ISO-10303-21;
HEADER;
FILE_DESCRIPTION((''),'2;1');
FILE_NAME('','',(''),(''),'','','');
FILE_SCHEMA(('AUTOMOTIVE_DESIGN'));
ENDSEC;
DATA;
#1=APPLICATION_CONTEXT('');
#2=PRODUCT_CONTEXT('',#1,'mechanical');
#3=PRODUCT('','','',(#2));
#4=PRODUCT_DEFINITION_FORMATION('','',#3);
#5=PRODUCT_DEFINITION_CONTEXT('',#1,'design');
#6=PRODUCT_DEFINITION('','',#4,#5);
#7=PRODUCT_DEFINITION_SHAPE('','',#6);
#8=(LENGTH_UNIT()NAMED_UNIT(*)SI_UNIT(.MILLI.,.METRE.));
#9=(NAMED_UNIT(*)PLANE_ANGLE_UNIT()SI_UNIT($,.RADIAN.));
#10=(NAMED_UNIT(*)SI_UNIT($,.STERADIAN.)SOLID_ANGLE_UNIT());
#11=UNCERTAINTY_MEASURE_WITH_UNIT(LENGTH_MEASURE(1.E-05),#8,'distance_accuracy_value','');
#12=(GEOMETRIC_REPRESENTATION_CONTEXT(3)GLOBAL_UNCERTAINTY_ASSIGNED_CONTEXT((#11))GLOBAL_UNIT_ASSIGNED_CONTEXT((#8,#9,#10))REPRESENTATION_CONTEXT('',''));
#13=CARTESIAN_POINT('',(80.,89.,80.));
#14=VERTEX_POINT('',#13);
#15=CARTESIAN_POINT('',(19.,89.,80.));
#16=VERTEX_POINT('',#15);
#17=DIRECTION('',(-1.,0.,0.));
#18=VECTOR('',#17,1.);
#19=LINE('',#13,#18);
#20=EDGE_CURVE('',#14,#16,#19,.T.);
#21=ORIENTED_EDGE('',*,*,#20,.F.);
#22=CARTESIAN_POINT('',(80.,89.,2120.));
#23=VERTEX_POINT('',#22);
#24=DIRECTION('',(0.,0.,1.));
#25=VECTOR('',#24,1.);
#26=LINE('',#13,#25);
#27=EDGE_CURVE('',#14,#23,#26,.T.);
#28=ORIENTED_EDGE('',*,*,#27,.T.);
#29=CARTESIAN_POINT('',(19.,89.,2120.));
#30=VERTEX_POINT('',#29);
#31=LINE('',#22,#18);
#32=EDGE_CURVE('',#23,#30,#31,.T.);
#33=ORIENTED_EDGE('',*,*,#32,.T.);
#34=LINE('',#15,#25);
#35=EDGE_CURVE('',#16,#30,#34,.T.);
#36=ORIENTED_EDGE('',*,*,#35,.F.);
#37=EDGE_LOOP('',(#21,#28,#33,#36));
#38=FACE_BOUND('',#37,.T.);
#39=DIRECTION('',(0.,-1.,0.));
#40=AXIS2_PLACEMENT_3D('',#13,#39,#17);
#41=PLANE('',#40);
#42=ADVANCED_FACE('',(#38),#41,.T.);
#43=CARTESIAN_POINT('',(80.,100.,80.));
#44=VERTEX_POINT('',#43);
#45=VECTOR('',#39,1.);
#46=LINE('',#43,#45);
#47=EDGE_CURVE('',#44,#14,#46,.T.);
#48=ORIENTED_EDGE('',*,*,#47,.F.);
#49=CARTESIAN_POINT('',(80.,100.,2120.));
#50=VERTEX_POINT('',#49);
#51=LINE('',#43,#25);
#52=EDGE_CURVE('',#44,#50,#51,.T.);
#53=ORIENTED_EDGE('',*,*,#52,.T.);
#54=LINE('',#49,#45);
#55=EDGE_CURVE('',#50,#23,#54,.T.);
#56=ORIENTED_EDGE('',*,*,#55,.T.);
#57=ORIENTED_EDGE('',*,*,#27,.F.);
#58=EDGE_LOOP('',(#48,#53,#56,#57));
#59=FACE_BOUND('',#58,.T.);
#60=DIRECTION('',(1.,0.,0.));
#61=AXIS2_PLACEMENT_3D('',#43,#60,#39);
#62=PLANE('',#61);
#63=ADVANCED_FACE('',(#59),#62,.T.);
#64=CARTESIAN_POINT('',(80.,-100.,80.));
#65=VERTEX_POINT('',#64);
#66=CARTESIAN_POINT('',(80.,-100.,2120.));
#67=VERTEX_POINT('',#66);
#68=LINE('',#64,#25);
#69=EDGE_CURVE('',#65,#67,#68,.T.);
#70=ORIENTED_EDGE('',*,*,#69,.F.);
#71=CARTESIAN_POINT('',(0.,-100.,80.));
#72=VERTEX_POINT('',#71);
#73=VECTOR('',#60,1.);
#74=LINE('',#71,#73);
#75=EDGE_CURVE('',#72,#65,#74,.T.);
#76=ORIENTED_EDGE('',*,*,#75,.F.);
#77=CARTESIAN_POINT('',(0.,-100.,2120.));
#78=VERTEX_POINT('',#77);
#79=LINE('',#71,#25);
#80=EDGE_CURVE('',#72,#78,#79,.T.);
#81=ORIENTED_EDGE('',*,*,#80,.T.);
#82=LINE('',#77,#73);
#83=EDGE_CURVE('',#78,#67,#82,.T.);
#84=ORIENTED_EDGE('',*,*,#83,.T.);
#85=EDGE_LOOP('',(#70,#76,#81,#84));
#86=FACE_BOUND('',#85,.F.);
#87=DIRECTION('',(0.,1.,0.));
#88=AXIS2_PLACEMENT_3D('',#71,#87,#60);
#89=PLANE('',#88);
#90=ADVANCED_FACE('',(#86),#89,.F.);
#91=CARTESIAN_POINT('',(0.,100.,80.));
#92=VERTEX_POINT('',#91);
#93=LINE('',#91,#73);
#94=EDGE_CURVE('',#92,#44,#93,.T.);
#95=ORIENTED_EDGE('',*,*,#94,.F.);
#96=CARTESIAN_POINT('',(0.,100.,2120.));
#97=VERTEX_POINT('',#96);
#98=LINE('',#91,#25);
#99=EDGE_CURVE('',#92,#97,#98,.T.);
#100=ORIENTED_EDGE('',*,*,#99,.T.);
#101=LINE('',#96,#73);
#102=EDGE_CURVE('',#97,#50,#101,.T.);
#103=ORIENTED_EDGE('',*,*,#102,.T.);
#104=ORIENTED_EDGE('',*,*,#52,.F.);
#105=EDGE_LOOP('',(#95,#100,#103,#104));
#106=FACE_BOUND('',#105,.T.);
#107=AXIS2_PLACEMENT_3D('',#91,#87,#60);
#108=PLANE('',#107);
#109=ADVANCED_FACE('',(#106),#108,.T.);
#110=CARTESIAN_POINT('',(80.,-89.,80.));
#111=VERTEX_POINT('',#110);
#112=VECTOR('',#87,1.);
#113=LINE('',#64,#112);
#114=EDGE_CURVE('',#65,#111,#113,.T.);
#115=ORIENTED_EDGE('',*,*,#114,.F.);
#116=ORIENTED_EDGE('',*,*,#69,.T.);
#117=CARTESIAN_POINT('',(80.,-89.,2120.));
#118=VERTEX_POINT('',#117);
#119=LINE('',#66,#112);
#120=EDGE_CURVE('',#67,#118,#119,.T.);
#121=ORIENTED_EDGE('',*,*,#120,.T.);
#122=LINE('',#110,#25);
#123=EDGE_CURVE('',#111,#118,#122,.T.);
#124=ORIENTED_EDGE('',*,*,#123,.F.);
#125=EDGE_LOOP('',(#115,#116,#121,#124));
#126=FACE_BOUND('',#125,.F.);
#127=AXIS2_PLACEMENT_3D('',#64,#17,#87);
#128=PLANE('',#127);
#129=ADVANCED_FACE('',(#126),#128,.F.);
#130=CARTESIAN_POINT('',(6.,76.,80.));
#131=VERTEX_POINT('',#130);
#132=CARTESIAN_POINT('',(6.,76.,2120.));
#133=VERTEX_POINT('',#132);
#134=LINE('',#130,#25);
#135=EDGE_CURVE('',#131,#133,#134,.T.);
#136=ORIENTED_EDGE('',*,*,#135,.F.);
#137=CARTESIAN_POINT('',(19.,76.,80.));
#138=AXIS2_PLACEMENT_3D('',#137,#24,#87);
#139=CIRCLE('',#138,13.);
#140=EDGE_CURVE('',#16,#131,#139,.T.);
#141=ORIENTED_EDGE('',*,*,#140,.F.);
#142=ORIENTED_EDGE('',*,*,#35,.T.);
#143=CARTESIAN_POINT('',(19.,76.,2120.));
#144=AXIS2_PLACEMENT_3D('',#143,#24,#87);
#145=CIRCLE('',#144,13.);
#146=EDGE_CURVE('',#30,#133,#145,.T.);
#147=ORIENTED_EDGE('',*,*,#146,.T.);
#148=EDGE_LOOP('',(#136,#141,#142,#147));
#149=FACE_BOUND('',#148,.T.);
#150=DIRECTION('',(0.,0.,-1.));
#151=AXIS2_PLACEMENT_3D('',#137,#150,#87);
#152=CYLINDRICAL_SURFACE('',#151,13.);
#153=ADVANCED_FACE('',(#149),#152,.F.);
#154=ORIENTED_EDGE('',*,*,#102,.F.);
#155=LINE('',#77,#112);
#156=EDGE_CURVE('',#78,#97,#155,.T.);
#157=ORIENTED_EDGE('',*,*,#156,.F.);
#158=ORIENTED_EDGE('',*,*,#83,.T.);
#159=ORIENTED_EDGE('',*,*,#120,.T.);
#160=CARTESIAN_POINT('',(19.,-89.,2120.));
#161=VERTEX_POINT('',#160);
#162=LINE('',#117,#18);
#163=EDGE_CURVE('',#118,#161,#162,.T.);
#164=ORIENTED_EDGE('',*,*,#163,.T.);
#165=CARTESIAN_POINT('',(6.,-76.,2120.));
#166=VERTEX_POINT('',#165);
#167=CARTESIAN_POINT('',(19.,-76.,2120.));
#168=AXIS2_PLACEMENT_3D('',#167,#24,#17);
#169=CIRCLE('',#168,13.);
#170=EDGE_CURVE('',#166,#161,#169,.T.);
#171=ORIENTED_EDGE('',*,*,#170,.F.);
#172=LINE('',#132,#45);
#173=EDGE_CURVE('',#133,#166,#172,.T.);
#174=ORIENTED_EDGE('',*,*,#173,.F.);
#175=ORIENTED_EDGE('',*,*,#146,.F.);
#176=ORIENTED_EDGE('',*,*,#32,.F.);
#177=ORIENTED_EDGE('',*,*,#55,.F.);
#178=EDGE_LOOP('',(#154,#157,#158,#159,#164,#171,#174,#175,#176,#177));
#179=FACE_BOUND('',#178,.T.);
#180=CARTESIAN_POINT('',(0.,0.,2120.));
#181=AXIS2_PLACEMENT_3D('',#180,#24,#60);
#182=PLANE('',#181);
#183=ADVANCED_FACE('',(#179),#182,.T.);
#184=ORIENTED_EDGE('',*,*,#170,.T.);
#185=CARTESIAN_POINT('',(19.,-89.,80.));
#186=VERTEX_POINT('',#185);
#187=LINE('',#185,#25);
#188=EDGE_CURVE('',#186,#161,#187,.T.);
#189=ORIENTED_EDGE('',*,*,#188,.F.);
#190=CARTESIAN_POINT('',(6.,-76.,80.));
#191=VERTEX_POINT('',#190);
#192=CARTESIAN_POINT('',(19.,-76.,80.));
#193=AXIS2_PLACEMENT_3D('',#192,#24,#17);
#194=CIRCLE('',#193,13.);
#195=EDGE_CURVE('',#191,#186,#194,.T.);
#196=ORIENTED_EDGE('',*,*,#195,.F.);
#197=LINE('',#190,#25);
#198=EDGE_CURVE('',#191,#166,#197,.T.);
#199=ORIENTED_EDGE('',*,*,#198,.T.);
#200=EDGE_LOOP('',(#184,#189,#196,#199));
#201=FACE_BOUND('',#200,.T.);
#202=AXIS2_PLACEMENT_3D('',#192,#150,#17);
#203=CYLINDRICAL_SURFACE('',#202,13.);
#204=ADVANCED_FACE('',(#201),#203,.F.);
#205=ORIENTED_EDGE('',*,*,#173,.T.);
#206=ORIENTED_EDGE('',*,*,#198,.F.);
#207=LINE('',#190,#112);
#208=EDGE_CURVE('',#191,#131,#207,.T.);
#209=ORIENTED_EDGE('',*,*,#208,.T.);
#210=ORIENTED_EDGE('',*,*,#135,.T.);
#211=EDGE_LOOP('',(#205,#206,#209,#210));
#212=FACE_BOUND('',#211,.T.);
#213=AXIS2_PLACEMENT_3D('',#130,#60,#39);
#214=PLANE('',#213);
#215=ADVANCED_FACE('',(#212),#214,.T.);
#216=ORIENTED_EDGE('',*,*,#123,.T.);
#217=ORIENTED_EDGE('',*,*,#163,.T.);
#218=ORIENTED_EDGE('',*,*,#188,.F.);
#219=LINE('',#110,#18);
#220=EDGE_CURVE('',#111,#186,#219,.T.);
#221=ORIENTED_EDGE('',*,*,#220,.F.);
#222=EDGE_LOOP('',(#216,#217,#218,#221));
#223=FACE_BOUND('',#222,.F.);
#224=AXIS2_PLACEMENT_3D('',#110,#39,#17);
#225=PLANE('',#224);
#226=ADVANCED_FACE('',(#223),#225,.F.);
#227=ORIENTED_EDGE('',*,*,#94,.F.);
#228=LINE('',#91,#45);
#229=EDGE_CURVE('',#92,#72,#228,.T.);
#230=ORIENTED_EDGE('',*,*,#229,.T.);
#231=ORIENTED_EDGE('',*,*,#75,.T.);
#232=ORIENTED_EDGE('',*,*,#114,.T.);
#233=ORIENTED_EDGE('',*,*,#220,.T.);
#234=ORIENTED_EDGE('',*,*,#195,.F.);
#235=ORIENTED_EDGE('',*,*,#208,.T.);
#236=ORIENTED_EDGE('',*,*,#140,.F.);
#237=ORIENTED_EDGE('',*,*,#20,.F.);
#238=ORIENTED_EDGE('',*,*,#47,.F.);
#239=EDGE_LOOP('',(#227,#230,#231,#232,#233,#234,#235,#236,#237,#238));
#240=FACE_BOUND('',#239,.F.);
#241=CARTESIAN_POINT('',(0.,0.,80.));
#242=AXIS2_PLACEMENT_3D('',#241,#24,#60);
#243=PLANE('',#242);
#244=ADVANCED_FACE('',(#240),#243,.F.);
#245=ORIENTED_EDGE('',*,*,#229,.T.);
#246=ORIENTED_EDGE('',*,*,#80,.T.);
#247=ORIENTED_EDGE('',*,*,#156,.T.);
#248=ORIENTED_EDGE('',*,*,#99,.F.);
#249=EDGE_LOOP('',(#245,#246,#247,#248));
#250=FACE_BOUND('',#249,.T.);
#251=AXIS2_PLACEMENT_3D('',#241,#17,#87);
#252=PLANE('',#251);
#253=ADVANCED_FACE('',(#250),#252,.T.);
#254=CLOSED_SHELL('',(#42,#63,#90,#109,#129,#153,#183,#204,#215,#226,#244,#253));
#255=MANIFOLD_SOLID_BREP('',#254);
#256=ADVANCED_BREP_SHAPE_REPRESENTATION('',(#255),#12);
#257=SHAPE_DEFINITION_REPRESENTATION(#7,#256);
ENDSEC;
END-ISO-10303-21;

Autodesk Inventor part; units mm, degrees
ref_plane "Start plane" through (0, 0, 80) normal (0, 0, 1) x (1, 0, 0)
ref_plane "End plane" through (0, 0, 2120) normal (0, 0, 1) x (1, 0, 0)
sketch "Sketch" plane through (0, 0, 0) normal (0, 0, 1) x (1, 0, 0)
  line L0 (0, 0) -> (0, 100)
  line L1 (0, 100) -> (80, 100)
  line L2 (80, 100) -> (80, 89)
  line L3 (80, 89) -> (19, 89)
  line L4 (6, 76) -> (6, 0)
  line L5 (6, 0) -> (0, 0) construction
  line L6 (25.6, 100) -> (25.6, 89) construction
  line L7 (80, 89) -> (80, 89) construction
  line L8 (80, 89) -> (25.6, 89) construction
  line L9 (0, 12) -> (0, -30) construction
  line L10 (-1.5, 0) -> (19.5, 0) construction
  line L11 (0, 0) -> (0, -100)
  line L12 (0, -100) -> (80, -100)
  line L13 (80, -100) -> (80, -89)
  line L14 (80, -89) -> (19, -89)
  line L15 (6, -76) -> (6, 0)
  arc A0 (6, -76) -> (19, -89) centre (19, -76) ccw
  arc A1 (19, 89) -> (6, 76) centre (19, 76) ccw
  line L16 (0, 140) -> (0, -140) construction
  line L17 (-17.8, 0) -> (96.3, 0) construction
  point P0 (6, 89)
  point P1 (6, -89)
  point P2 (25.6, -100)
  point P3 (25.6, -89)
  dimension "d0" = 6
  dimension "d1" = 100
  dimension "d2" = 80
  dimension "d3" = 11
  dimension "d5" = 0
  dimension "d23" = 13
  dimension "d24" = 0
  dimension "d29" = 25.6
extrude "Body" add sketch "Sketch" along normal up to surface (2040 mm away) from surface at 80
sketch "Sketch3" plane through (0, 0, 0) normal (0, 0, 1) x (1, 0, 0)
  line L0 (0, 0) -> (10, 0)
ref_plane "Work Plane3" through (0, 0, 0) normal (0, -1, 0) x (1, 0, 0)
sketch "Sketch4" plane through (0, 0, 0) normal (0, -1, 0) x (1, 0, 0)
  line L0 (-2, 80) -> (12, 80)
  line L1 (-2, 2120) -> (12, 2120)
  dimension "d28" = 2040
ref_plane "Work Plane4" through (-3520, 0, 80) normal (0, 0, -1) x (-1, 0, 0)
split "Split1" plane through (-3520, 0, 80) removes the side toward (0, 0, -1)
ref_plane "Work Plane5" through (80, 0, 2120) normal (0, 0, 1) x (1, 0, 0)
split "Split2" plane through (80, 0, 2120) removes the side toward (0, 0, 1)
equation "\"d0\" = G_T"
equation "\"d1\" = 0.5 * G_H"
equation "\"d2\" = G_W"
equation "\"d3\" = G_T1"
equation "\"d23\" = G_IR"
equation "\"d29\" = G_C"
equation "\"d6\" = G_L"
equation "\"G_W\" = 80"
equation "\"G_H\" = 200"
equation "\"G_T\" = 6"
equation "\"G_T1\" = 11"
equation "\"G_NG\" = 0"
equation "\"G_IR\" = 13"
equation "\"G_C\" = 25.6"
equation "\"G_L\" = d28"
equation "\"ex\" = 0"
properties part number "DIN 1026-2 - UPE 200 - 2040" material "Steel, Mild"
